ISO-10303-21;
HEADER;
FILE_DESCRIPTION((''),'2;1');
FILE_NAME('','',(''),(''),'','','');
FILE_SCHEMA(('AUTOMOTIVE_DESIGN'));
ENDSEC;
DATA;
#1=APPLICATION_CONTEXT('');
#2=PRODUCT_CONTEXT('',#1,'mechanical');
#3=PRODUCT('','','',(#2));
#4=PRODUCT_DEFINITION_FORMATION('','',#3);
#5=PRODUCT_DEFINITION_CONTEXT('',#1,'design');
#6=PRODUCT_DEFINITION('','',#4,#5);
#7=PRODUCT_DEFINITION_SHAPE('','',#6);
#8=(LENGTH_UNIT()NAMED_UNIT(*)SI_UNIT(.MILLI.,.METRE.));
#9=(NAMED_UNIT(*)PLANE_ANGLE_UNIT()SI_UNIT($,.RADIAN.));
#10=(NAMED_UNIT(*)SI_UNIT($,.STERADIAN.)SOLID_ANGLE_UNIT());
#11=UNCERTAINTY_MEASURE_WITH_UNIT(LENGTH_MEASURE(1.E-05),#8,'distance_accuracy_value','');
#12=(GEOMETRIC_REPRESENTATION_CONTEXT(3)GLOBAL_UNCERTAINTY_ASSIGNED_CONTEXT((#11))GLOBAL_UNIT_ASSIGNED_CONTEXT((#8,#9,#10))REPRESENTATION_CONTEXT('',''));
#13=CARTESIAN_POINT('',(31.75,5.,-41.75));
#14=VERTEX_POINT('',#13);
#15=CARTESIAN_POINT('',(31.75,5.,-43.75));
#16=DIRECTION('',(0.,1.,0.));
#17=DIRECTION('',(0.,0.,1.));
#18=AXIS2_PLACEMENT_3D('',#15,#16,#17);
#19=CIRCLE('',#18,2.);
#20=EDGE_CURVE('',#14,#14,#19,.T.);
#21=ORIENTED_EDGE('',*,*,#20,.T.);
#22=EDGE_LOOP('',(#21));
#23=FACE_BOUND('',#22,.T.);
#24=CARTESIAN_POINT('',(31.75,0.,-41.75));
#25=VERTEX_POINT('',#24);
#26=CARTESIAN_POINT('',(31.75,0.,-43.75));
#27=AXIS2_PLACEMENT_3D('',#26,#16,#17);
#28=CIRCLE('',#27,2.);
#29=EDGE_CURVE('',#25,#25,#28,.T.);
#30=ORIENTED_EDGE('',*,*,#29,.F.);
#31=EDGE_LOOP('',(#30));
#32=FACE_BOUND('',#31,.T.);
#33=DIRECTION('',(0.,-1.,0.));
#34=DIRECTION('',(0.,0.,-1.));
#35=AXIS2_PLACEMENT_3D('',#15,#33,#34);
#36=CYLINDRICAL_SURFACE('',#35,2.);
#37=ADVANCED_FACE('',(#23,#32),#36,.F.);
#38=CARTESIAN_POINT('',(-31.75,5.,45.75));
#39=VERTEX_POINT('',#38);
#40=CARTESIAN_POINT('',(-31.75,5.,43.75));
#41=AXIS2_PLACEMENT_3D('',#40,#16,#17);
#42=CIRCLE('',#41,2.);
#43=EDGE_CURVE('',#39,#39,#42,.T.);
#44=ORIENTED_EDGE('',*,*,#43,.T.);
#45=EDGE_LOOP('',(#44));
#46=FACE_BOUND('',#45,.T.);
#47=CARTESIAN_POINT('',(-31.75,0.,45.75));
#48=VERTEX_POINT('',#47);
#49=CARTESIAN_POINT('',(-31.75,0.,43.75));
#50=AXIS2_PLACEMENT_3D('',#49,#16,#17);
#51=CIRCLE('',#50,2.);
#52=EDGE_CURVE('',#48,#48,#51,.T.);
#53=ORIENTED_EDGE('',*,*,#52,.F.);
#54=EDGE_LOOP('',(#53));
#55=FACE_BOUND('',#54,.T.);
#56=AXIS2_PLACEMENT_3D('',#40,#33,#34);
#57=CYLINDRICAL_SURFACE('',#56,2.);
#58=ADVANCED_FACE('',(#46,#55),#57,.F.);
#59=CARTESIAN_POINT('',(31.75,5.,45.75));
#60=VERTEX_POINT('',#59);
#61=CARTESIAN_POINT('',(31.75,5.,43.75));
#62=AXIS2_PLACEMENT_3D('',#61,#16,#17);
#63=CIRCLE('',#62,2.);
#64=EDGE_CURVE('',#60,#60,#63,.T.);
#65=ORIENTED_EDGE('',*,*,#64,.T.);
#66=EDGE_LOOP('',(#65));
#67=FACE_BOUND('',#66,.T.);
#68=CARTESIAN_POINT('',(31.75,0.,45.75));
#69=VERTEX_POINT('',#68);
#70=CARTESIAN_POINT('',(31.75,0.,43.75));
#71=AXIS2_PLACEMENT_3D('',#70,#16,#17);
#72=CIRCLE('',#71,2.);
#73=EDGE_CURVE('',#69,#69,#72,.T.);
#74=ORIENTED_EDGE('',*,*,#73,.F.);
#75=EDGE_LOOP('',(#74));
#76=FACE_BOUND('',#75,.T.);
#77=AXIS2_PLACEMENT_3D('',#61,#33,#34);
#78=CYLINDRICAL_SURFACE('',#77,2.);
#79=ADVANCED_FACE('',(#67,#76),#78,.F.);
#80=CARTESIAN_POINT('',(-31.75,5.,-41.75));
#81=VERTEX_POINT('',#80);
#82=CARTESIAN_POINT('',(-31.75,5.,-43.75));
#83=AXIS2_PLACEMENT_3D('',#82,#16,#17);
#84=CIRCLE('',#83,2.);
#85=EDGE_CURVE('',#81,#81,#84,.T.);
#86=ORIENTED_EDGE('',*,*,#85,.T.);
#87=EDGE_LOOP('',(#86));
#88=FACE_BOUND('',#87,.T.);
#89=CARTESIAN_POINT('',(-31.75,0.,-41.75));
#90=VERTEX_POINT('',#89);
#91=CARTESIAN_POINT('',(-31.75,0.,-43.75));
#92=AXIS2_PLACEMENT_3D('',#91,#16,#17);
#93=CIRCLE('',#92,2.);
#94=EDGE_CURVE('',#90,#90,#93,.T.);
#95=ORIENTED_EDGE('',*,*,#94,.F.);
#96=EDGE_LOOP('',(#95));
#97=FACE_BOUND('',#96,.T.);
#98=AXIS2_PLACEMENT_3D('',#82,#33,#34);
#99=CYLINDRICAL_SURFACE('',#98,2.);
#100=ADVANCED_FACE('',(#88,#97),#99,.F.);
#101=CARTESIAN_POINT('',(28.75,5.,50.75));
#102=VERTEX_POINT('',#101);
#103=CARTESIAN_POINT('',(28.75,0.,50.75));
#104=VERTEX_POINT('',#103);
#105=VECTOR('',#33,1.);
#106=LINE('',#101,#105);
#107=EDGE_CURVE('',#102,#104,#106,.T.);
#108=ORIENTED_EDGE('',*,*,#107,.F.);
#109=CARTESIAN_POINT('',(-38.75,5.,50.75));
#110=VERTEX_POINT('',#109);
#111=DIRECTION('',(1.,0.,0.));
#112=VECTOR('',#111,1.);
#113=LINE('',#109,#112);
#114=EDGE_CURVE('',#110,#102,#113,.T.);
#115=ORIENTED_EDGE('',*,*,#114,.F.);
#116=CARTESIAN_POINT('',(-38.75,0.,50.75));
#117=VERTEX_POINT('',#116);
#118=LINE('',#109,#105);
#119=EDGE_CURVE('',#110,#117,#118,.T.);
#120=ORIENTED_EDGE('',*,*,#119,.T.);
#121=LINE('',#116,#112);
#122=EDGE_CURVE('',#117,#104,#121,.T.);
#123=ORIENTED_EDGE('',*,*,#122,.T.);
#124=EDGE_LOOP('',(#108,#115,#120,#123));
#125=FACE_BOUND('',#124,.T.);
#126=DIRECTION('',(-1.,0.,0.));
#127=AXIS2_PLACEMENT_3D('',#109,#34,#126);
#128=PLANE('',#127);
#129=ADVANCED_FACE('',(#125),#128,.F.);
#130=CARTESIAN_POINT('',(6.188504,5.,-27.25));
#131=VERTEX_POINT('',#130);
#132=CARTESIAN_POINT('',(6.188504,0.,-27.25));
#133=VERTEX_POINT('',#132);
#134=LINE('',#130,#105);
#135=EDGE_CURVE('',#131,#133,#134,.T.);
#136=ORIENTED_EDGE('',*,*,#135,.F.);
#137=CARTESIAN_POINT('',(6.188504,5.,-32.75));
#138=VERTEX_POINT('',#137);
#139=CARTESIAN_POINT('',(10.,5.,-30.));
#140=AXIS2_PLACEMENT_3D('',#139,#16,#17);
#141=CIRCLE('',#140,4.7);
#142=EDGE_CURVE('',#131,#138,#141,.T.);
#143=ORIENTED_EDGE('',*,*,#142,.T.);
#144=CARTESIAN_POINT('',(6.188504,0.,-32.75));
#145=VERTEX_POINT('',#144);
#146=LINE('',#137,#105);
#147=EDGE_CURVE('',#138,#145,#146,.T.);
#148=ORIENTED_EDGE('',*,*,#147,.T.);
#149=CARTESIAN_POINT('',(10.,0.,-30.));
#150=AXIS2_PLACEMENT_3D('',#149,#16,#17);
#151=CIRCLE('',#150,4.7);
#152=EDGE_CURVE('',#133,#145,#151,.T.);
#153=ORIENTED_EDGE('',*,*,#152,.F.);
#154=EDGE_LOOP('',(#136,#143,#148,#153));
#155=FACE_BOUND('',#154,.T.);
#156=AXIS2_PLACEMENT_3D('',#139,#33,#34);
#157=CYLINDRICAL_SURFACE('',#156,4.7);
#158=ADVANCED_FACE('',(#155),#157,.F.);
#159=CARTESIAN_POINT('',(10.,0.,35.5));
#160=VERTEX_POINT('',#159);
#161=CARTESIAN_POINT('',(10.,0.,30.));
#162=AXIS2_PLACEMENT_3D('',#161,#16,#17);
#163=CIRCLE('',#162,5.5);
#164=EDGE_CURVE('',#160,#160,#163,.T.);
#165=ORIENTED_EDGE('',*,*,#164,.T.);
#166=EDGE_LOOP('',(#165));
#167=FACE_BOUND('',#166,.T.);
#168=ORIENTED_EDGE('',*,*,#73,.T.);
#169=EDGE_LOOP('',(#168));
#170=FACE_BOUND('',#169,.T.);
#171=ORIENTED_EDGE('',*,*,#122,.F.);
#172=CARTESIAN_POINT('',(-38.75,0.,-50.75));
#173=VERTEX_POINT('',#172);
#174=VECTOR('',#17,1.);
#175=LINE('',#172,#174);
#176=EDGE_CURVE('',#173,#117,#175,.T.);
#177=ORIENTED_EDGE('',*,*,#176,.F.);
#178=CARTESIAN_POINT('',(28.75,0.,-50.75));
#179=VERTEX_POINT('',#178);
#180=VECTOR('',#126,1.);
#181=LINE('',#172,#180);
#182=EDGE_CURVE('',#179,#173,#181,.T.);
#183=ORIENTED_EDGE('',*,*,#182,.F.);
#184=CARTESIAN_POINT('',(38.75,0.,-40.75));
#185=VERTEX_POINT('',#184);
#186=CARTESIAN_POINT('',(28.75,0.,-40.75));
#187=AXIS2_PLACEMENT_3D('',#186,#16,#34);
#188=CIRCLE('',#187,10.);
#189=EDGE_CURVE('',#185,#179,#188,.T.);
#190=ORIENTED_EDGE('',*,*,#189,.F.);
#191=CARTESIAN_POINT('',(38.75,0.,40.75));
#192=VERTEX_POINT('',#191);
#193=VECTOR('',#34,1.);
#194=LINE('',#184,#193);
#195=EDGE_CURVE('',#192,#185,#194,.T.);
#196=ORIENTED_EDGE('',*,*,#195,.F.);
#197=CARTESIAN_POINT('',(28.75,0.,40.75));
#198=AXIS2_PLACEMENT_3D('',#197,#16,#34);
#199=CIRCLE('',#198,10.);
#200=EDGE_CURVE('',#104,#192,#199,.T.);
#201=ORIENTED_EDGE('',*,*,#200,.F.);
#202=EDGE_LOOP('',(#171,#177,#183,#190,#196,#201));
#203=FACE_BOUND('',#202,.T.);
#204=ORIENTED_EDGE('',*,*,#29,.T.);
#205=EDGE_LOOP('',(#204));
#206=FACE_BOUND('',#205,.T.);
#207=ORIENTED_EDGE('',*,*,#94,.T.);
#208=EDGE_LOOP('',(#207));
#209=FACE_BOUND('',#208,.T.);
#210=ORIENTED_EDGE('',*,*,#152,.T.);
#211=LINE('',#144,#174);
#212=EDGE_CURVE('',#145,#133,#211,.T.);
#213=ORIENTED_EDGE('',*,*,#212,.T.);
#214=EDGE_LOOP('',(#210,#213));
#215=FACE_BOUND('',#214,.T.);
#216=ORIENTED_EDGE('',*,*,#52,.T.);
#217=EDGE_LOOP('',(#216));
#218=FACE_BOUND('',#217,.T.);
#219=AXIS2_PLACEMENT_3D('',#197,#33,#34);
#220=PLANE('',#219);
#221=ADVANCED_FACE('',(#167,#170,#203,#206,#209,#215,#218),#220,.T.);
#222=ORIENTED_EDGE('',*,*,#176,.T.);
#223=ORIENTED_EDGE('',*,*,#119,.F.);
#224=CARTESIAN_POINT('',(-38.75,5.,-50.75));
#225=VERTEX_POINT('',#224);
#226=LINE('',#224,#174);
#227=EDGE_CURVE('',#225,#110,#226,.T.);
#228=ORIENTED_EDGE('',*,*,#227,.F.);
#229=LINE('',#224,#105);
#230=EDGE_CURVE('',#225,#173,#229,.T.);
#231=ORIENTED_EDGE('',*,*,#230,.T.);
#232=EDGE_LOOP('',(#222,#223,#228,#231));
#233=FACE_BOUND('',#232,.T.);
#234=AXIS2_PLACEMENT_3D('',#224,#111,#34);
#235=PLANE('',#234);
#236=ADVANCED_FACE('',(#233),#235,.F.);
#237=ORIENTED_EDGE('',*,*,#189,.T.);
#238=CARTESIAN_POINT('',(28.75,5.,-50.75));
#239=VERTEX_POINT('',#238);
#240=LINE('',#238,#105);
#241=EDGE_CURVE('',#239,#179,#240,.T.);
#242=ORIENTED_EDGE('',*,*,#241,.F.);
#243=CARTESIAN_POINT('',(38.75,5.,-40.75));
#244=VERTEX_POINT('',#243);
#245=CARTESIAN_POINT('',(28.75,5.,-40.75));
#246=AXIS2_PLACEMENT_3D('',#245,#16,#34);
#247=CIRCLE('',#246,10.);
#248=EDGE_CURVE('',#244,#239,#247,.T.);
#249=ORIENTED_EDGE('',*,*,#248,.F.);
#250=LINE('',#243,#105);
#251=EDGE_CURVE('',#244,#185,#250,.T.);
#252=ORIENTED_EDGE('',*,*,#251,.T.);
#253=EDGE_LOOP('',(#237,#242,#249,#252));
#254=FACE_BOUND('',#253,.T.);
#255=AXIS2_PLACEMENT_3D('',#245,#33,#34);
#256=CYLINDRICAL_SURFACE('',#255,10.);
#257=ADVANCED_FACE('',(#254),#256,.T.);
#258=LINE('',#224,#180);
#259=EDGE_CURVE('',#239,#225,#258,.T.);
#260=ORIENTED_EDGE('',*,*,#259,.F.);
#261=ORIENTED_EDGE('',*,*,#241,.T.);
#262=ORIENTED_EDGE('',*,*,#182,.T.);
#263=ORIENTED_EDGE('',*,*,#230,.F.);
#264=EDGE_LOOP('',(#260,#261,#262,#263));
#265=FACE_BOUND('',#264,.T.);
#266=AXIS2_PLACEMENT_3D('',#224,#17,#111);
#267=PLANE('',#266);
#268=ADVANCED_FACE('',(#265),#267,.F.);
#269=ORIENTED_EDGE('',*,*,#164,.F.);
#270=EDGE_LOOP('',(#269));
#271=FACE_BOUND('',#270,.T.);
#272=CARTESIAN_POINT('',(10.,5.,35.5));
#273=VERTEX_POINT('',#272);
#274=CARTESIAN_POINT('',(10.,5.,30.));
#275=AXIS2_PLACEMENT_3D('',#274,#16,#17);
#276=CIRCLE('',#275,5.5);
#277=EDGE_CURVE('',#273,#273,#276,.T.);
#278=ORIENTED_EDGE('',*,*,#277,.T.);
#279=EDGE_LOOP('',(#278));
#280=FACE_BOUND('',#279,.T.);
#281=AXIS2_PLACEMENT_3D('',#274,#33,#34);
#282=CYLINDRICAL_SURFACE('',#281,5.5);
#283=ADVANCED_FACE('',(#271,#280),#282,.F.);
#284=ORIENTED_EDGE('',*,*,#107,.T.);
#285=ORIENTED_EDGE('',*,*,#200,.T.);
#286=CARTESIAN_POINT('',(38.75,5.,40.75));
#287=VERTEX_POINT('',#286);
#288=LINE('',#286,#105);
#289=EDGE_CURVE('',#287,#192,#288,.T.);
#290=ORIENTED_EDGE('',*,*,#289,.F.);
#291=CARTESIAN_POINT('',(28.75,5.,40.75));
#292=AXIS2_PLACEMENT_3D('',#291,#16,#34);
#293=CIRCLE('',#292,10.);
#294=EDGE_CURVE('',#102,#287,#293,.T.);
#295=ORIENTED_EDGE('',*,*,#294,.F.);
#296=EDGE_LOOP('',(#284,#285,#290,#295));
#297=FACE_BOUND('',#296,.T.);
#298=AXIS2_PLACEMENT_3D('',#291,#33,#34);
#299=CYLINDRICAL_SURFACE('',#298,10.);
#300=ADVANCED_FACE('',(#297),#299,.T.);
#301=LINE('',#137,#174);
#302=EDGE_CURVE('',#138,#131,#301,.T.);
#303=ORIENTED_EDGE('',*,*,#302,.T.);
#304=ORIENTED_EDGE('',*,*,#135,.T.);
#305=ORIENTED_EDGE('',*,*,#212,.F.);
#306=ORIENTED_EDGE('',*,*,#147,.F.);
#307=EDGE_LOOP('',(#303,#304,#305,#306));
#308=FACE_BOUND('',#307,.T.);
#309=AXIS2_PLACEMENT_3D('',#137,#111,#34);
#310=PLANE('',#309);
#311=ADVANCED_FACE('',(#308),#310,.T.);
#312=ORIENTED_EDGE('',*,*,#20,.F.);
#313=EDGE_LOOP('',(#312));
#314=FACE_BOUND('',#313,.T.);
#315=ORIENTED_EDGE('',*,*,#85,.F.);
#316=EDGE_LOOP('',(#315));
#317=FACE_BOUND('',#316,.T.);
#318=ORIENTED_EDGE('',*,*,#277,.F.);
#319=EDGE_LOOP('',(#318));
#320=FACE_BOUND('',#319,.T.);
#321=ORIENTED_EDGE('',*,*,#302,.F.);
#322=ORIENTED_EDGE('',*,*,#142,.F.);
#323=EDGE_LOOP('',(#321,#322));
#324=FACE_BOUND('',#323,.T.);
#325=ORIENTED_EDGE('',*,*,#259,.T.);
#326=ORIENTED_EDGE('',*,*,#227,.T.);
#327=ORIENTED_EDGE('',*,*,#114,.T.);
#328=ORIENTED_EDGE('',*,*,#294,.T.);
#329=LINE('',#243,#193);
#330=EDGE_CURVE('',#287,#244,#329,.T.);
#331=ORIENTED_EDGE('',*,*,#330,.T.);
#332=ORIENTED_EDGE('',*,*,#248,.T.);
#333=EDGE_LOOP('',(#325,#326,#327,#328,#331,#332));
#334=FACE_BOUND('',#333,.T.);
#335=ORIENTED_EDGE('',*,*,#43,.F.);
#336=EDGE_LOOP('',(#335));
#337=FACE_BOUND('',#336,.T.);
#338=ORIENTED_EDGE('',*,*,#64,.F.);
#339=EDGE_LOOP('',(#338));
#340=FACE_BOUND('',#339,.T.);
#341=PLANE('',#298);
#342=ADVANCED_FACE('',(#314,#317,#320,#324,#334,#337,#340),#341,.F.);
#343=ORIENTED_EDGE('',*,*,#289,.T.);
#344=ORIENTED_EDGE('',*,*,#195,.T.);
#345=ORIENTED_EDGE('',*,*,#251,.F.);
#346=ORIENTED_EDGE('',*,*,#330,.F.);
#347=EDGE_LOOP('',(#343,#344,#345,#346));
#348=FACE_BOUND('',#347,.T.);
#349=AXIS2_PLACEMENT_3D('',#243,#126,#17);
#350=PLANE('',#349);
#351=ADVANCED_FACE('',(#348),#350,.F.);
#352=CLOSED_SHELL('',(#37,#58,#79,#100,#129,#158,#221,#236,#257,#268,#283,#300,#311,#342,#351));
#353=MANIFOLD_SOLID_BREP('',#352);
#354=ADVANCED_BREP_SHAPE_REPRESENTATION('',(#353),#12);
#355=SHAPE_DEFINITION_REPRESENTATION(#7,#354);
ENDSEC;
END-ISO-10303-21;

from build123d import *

# Parameters (mm, degrees)
SKETCH3_R           = 2
SKETCH3_R_2         = 5.5
BOSS_EXTRUDE2_DEPTH = 5


with BuildPart() as part:
    # Sketch3 → Boss-Extrude2 (new body)
    with BuildSketch(Plane(origin=(0, 0, 0), x_dir=(1, 0, 0), z_dir=(0, 1, 0))):
        with BuildLine():
            Line((-38.75, 50.75), (28.75, 50.75))
            ThreePointArc((28.75, 50.75), (35.821067812, 47.821067812), (38.75, 40.75))
            Line((38.75, 40.75), (38.75, -40.75))
            ThreePointArc((38.75, -40.75), (35.821067812, -47.821067812), (28.75, -50.75))
            Line((28.75, -50.75), (-38.75, -50.75))
            Line((-38.75, -50.75), (-38.75, 50.75))
        make_face()
        with Locations(Location((-31.75, -43.75, 0), (0, 0, 270))):
            Circle(SKETCH3_R, mode=Mode.SUBTRACT)
        with Locations(Location((-31.75, 43.75, 0), (0, 0, 270))):
            Circle(SKETCH3_R, mode=Mode.SUBTRACT)
        with Locations(Location((31.75, 43.75, 0), (0, 0, 270))):
            Circle(SKETCH3_R, mode=Mode.SUBTRACT)
        with Locations(Location((31.75, -43.75, 0), (0, 0, 270))):
            Circle(SKETCH3_R, mode=Mode.SUBTRACT)
        with Locations(Location((10, -30, 0), (0, 0, 270))):
            Circle(SKETCH3_R_2, mode=Mode.SUBTRACT)
        with BuildLine():
            Line((6.188504231, 32.75), (6.188504231, 27.25))
            ThreePointArc((6.188504231, 27.25), (14.7, 30), (6.188504231, 32.75))
        make_face(mode=Mode.SUBTRACT)
    extrude(amount=BOSS_EXTRUDE2_DEPTH)


solid = part.part
